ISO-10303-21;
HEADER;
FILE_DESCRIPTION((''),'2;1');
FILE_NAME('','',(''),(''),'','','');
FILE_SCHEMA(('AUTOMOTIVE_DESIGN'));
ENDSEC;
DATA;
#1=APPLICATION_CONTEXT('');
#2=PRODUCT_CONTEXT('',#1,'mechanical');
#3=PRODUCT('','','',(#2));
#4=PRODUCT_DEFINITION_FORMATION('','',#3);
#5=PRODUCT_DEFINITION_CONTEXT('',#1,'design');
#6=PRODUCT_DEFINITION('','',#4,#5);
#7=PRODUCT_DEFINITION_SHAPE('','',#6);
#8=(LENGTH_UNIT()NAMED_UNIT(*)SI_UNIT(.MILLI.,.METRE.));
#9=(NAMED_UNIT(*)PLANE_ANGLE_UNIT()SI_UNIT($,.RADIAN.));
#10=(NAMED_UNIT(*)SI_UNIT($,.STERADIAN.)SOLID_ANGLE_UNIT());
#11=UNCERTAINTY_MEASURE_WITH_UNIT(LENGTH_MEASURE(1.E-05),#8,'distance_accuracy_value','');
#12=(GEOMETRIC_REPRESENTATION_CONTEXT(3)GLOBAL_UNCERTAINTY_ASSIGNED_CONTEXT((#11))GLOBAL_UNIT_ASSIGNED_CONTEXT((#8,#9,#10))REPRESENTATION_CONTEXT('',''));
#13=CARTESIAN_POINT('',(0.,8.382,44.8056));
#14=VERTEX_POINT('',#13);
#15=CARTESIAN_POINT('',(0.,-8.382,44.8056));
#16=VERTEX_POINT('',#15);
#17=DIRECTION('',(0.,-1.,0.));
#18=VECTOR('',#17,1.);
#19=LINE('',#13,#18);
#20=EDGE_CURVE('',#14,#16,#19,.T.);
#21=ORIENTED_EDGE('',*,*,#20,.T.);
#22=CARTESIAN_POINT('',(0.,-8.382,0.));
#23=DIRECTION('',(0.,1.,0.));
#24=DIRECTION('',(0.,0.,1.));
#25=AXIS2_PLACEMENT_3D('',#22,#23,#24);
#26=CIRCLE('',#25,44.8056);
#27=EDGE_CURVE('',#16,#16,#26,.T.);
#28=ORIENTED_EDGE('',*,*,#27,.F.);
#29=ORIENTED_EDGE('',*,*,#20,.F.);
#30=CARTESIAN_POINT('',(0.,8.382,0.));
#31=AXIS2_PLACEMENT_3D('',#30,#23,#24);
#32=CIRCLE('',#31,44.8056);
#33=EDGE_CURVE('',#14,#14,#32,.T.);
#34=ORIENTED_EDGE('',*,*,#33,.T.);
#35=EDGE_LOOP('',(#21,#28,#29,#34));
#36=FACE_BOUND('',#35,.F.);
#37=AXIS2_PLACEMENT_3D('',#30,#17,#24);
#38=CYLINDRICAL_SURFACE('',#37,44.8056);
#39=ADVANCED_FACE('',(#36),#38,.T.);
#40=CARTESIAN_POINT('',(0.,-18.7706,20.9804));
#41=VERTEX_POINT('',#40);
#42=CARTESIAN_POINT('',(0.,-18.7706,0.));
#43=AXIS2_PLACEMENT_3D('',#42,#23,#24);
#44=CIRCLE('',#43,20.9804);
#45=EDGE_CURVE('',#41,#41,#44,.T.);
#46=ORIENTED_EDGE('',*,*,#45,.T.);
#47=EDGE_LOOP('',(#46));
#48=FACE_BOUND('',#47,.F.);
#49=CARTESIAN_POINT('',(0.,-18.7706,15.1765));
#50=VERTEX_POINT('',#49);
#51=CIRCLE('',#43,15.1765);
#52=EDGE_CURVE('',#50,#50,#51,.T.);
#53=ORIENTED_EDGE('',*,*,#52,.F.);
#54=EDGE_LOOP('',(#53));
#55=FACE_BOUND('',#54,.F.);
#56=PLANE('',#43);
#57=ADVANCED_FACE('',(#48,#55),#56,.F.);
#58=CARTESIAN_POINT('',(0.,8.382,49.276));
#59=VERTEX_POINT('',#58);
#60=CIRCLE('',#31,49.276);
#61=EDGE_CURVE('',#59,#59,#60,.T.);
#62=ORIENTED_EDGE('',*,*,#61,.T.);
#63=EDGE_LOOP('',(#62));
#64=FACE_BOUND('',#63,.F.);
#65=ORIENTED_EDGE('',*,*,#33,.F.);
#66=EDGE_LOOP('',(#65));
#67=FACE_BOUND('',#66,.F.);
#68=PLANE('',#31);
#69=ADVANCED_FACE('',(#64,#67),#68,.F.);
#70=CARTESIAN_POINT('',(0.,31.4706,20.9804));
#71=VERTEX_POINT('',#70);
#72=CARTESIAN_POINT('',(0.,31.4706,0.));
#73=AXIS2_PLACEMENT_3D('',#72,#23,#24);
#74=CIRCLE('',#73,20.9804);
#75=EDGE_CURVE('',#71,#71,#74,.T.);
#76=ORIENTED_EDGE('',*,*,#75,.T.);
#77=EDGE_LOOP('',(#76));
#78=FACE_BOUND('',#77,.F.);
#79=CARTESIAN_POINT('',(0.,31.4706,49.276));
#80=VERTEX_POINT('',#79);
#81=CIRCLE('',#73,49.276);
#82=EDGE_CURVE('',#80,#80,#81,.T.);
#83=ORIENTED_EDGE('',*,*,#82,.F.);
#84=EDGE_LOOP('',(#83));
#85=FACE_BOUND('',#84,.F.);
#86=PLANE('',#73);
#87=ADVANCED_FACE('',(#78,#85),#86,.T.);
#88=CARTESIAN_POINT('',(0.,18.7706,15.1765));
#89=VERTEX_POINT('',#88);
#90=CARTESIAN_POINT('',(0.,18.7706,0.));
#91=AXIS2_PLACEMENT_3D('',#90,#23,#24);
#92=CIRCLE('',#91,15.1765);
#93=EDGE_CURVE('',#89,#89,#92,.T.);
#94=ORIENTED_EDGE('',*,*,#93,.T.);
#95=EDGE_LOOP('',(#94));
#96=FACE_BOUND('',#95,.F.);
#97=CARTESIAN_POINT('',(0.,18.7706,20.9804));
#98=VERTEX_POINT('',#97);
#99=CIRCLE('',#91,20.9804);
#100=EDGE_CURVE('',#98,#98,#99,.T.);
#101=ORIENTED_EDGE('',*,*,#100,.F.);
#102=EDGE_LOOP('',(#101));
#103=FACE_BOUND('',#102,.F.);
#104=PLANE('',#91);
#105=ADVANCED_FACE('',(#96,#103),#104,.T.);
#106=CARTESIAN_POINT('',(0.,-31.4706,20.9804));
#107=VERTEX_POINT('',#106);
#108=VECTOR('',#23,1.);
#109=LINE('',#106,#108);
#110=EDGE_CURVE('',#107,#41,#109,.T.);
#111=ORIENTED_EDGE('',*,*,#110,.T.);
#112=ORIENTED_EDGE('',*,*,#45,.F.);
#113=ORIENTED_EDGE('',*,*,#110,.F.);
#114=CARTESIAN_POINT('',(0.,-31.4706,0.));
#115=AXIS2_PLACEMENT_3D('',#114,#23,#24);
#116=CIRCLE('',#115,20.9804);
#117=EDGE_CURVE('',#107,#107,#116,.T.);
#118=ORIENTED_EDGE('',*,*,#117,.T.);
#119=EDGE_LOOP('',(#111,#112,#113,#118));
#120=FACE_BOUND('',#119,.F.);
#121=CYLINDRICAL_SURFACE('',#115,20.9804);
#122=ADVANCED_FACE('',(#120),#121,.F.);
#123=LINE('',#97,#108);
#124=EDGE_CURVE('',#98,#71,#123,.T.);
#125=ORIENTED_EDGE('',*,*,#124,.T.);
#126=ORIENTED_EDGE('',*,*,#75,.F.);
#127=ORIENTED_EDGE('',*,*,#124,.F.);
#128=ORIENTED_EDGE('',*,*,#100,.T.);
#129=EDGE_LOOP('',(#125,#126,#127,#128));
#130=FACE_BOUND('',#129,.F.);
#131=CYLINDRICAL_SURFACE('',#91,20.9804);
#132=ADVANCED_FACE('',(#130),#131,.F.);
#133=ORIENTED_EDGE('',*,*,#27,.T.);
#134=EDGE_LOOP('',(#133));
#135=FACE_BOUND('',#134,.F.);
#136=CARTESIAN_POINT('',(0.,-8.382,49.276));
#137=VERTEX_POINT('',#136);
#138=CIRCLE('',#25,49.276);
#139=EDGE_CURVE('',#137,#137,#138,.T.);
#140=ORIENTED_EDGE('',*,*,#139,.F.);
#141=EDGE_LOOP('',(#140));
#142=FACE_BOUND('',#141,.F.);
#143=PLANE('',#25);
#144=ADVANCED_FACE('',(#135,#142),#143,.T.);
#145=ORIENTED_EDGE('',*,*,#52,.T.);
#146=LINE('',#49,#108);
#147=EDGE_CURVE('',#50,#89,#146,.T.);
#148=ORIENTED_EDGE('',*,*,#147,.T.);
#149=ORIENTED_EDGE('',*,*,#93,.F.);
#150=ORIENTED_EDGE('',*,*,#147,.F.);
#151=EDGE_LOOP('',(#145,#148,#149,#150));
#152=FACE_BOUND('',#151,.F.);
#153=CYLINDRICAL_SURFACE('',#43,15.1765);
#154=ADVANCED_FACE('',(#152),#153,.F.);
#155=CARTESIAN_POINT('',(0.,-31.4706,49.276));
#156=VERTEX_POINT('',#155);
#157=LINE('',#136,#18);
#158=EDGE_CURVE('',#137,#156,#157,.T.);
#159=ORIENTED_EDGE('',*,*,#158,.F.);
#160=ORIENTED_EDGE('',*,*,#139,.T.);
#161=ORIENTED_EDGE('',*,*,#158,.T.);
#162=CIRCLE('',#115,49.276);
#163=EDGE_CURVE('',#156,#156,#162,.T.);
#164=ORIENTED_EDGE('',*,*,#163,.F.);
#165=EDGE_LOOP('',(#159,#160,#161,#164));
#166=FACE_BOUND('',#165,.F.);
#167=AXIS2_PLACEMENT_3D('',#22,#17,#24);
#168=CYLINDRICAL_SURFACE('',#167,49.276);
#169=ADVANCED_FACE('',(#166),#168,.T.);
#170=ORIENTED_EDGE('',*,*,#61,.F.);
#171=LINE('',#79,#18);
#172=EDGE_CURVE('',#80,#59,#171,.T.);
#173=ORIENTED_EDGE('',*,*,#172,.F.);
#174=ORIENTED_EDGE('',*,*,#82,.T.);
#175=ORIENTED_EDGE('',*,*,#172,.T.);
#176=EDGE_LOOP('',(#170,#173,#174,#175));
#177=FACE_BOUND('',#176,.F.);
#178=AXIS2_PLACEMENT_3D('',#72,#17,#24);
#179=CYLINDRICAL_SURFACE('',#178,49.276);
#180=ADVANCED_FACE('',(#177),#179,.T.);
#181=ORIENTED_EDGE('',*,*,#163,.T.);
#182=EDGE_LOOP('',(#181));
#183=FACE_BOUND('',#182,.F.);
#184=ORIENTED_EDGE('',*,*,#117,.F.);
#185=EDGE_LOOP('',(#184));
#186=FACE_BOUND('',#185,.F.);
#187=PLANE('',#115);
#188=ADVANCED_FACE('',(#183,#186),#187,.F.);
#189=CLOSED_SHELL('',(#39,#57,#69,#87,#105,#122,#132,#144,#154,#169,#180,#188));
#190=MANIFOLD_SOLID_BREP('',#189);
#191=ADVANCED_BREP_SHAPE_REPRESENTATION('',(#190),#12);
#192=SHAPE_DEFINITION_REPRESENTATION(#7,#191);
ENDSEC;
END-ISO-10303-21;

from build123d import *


with BuildPart() as f1:
    # F0 (on Right) → F1 (revolve)
    with BuildSketch(Plane.YZ):
        Polygon((-18.7706, 15.1765), (0, 15.1765), (18.7706, 15.1765), (18.7706, 20.9804), (31.4706, 20.9804), (31.4706, 49.276), (8.382, 49.276), (8.382, 44.8056), (-8.382, 44.8056), (-8.382, 49.276), (-31.4706, 49.276), (-31.4706, 20.9804), (-18.7706, 20.9804), align=None)
    revolve(axis=Axis((0, -0.984378, 0), (0, 1, 0)))


solid = f1.part
